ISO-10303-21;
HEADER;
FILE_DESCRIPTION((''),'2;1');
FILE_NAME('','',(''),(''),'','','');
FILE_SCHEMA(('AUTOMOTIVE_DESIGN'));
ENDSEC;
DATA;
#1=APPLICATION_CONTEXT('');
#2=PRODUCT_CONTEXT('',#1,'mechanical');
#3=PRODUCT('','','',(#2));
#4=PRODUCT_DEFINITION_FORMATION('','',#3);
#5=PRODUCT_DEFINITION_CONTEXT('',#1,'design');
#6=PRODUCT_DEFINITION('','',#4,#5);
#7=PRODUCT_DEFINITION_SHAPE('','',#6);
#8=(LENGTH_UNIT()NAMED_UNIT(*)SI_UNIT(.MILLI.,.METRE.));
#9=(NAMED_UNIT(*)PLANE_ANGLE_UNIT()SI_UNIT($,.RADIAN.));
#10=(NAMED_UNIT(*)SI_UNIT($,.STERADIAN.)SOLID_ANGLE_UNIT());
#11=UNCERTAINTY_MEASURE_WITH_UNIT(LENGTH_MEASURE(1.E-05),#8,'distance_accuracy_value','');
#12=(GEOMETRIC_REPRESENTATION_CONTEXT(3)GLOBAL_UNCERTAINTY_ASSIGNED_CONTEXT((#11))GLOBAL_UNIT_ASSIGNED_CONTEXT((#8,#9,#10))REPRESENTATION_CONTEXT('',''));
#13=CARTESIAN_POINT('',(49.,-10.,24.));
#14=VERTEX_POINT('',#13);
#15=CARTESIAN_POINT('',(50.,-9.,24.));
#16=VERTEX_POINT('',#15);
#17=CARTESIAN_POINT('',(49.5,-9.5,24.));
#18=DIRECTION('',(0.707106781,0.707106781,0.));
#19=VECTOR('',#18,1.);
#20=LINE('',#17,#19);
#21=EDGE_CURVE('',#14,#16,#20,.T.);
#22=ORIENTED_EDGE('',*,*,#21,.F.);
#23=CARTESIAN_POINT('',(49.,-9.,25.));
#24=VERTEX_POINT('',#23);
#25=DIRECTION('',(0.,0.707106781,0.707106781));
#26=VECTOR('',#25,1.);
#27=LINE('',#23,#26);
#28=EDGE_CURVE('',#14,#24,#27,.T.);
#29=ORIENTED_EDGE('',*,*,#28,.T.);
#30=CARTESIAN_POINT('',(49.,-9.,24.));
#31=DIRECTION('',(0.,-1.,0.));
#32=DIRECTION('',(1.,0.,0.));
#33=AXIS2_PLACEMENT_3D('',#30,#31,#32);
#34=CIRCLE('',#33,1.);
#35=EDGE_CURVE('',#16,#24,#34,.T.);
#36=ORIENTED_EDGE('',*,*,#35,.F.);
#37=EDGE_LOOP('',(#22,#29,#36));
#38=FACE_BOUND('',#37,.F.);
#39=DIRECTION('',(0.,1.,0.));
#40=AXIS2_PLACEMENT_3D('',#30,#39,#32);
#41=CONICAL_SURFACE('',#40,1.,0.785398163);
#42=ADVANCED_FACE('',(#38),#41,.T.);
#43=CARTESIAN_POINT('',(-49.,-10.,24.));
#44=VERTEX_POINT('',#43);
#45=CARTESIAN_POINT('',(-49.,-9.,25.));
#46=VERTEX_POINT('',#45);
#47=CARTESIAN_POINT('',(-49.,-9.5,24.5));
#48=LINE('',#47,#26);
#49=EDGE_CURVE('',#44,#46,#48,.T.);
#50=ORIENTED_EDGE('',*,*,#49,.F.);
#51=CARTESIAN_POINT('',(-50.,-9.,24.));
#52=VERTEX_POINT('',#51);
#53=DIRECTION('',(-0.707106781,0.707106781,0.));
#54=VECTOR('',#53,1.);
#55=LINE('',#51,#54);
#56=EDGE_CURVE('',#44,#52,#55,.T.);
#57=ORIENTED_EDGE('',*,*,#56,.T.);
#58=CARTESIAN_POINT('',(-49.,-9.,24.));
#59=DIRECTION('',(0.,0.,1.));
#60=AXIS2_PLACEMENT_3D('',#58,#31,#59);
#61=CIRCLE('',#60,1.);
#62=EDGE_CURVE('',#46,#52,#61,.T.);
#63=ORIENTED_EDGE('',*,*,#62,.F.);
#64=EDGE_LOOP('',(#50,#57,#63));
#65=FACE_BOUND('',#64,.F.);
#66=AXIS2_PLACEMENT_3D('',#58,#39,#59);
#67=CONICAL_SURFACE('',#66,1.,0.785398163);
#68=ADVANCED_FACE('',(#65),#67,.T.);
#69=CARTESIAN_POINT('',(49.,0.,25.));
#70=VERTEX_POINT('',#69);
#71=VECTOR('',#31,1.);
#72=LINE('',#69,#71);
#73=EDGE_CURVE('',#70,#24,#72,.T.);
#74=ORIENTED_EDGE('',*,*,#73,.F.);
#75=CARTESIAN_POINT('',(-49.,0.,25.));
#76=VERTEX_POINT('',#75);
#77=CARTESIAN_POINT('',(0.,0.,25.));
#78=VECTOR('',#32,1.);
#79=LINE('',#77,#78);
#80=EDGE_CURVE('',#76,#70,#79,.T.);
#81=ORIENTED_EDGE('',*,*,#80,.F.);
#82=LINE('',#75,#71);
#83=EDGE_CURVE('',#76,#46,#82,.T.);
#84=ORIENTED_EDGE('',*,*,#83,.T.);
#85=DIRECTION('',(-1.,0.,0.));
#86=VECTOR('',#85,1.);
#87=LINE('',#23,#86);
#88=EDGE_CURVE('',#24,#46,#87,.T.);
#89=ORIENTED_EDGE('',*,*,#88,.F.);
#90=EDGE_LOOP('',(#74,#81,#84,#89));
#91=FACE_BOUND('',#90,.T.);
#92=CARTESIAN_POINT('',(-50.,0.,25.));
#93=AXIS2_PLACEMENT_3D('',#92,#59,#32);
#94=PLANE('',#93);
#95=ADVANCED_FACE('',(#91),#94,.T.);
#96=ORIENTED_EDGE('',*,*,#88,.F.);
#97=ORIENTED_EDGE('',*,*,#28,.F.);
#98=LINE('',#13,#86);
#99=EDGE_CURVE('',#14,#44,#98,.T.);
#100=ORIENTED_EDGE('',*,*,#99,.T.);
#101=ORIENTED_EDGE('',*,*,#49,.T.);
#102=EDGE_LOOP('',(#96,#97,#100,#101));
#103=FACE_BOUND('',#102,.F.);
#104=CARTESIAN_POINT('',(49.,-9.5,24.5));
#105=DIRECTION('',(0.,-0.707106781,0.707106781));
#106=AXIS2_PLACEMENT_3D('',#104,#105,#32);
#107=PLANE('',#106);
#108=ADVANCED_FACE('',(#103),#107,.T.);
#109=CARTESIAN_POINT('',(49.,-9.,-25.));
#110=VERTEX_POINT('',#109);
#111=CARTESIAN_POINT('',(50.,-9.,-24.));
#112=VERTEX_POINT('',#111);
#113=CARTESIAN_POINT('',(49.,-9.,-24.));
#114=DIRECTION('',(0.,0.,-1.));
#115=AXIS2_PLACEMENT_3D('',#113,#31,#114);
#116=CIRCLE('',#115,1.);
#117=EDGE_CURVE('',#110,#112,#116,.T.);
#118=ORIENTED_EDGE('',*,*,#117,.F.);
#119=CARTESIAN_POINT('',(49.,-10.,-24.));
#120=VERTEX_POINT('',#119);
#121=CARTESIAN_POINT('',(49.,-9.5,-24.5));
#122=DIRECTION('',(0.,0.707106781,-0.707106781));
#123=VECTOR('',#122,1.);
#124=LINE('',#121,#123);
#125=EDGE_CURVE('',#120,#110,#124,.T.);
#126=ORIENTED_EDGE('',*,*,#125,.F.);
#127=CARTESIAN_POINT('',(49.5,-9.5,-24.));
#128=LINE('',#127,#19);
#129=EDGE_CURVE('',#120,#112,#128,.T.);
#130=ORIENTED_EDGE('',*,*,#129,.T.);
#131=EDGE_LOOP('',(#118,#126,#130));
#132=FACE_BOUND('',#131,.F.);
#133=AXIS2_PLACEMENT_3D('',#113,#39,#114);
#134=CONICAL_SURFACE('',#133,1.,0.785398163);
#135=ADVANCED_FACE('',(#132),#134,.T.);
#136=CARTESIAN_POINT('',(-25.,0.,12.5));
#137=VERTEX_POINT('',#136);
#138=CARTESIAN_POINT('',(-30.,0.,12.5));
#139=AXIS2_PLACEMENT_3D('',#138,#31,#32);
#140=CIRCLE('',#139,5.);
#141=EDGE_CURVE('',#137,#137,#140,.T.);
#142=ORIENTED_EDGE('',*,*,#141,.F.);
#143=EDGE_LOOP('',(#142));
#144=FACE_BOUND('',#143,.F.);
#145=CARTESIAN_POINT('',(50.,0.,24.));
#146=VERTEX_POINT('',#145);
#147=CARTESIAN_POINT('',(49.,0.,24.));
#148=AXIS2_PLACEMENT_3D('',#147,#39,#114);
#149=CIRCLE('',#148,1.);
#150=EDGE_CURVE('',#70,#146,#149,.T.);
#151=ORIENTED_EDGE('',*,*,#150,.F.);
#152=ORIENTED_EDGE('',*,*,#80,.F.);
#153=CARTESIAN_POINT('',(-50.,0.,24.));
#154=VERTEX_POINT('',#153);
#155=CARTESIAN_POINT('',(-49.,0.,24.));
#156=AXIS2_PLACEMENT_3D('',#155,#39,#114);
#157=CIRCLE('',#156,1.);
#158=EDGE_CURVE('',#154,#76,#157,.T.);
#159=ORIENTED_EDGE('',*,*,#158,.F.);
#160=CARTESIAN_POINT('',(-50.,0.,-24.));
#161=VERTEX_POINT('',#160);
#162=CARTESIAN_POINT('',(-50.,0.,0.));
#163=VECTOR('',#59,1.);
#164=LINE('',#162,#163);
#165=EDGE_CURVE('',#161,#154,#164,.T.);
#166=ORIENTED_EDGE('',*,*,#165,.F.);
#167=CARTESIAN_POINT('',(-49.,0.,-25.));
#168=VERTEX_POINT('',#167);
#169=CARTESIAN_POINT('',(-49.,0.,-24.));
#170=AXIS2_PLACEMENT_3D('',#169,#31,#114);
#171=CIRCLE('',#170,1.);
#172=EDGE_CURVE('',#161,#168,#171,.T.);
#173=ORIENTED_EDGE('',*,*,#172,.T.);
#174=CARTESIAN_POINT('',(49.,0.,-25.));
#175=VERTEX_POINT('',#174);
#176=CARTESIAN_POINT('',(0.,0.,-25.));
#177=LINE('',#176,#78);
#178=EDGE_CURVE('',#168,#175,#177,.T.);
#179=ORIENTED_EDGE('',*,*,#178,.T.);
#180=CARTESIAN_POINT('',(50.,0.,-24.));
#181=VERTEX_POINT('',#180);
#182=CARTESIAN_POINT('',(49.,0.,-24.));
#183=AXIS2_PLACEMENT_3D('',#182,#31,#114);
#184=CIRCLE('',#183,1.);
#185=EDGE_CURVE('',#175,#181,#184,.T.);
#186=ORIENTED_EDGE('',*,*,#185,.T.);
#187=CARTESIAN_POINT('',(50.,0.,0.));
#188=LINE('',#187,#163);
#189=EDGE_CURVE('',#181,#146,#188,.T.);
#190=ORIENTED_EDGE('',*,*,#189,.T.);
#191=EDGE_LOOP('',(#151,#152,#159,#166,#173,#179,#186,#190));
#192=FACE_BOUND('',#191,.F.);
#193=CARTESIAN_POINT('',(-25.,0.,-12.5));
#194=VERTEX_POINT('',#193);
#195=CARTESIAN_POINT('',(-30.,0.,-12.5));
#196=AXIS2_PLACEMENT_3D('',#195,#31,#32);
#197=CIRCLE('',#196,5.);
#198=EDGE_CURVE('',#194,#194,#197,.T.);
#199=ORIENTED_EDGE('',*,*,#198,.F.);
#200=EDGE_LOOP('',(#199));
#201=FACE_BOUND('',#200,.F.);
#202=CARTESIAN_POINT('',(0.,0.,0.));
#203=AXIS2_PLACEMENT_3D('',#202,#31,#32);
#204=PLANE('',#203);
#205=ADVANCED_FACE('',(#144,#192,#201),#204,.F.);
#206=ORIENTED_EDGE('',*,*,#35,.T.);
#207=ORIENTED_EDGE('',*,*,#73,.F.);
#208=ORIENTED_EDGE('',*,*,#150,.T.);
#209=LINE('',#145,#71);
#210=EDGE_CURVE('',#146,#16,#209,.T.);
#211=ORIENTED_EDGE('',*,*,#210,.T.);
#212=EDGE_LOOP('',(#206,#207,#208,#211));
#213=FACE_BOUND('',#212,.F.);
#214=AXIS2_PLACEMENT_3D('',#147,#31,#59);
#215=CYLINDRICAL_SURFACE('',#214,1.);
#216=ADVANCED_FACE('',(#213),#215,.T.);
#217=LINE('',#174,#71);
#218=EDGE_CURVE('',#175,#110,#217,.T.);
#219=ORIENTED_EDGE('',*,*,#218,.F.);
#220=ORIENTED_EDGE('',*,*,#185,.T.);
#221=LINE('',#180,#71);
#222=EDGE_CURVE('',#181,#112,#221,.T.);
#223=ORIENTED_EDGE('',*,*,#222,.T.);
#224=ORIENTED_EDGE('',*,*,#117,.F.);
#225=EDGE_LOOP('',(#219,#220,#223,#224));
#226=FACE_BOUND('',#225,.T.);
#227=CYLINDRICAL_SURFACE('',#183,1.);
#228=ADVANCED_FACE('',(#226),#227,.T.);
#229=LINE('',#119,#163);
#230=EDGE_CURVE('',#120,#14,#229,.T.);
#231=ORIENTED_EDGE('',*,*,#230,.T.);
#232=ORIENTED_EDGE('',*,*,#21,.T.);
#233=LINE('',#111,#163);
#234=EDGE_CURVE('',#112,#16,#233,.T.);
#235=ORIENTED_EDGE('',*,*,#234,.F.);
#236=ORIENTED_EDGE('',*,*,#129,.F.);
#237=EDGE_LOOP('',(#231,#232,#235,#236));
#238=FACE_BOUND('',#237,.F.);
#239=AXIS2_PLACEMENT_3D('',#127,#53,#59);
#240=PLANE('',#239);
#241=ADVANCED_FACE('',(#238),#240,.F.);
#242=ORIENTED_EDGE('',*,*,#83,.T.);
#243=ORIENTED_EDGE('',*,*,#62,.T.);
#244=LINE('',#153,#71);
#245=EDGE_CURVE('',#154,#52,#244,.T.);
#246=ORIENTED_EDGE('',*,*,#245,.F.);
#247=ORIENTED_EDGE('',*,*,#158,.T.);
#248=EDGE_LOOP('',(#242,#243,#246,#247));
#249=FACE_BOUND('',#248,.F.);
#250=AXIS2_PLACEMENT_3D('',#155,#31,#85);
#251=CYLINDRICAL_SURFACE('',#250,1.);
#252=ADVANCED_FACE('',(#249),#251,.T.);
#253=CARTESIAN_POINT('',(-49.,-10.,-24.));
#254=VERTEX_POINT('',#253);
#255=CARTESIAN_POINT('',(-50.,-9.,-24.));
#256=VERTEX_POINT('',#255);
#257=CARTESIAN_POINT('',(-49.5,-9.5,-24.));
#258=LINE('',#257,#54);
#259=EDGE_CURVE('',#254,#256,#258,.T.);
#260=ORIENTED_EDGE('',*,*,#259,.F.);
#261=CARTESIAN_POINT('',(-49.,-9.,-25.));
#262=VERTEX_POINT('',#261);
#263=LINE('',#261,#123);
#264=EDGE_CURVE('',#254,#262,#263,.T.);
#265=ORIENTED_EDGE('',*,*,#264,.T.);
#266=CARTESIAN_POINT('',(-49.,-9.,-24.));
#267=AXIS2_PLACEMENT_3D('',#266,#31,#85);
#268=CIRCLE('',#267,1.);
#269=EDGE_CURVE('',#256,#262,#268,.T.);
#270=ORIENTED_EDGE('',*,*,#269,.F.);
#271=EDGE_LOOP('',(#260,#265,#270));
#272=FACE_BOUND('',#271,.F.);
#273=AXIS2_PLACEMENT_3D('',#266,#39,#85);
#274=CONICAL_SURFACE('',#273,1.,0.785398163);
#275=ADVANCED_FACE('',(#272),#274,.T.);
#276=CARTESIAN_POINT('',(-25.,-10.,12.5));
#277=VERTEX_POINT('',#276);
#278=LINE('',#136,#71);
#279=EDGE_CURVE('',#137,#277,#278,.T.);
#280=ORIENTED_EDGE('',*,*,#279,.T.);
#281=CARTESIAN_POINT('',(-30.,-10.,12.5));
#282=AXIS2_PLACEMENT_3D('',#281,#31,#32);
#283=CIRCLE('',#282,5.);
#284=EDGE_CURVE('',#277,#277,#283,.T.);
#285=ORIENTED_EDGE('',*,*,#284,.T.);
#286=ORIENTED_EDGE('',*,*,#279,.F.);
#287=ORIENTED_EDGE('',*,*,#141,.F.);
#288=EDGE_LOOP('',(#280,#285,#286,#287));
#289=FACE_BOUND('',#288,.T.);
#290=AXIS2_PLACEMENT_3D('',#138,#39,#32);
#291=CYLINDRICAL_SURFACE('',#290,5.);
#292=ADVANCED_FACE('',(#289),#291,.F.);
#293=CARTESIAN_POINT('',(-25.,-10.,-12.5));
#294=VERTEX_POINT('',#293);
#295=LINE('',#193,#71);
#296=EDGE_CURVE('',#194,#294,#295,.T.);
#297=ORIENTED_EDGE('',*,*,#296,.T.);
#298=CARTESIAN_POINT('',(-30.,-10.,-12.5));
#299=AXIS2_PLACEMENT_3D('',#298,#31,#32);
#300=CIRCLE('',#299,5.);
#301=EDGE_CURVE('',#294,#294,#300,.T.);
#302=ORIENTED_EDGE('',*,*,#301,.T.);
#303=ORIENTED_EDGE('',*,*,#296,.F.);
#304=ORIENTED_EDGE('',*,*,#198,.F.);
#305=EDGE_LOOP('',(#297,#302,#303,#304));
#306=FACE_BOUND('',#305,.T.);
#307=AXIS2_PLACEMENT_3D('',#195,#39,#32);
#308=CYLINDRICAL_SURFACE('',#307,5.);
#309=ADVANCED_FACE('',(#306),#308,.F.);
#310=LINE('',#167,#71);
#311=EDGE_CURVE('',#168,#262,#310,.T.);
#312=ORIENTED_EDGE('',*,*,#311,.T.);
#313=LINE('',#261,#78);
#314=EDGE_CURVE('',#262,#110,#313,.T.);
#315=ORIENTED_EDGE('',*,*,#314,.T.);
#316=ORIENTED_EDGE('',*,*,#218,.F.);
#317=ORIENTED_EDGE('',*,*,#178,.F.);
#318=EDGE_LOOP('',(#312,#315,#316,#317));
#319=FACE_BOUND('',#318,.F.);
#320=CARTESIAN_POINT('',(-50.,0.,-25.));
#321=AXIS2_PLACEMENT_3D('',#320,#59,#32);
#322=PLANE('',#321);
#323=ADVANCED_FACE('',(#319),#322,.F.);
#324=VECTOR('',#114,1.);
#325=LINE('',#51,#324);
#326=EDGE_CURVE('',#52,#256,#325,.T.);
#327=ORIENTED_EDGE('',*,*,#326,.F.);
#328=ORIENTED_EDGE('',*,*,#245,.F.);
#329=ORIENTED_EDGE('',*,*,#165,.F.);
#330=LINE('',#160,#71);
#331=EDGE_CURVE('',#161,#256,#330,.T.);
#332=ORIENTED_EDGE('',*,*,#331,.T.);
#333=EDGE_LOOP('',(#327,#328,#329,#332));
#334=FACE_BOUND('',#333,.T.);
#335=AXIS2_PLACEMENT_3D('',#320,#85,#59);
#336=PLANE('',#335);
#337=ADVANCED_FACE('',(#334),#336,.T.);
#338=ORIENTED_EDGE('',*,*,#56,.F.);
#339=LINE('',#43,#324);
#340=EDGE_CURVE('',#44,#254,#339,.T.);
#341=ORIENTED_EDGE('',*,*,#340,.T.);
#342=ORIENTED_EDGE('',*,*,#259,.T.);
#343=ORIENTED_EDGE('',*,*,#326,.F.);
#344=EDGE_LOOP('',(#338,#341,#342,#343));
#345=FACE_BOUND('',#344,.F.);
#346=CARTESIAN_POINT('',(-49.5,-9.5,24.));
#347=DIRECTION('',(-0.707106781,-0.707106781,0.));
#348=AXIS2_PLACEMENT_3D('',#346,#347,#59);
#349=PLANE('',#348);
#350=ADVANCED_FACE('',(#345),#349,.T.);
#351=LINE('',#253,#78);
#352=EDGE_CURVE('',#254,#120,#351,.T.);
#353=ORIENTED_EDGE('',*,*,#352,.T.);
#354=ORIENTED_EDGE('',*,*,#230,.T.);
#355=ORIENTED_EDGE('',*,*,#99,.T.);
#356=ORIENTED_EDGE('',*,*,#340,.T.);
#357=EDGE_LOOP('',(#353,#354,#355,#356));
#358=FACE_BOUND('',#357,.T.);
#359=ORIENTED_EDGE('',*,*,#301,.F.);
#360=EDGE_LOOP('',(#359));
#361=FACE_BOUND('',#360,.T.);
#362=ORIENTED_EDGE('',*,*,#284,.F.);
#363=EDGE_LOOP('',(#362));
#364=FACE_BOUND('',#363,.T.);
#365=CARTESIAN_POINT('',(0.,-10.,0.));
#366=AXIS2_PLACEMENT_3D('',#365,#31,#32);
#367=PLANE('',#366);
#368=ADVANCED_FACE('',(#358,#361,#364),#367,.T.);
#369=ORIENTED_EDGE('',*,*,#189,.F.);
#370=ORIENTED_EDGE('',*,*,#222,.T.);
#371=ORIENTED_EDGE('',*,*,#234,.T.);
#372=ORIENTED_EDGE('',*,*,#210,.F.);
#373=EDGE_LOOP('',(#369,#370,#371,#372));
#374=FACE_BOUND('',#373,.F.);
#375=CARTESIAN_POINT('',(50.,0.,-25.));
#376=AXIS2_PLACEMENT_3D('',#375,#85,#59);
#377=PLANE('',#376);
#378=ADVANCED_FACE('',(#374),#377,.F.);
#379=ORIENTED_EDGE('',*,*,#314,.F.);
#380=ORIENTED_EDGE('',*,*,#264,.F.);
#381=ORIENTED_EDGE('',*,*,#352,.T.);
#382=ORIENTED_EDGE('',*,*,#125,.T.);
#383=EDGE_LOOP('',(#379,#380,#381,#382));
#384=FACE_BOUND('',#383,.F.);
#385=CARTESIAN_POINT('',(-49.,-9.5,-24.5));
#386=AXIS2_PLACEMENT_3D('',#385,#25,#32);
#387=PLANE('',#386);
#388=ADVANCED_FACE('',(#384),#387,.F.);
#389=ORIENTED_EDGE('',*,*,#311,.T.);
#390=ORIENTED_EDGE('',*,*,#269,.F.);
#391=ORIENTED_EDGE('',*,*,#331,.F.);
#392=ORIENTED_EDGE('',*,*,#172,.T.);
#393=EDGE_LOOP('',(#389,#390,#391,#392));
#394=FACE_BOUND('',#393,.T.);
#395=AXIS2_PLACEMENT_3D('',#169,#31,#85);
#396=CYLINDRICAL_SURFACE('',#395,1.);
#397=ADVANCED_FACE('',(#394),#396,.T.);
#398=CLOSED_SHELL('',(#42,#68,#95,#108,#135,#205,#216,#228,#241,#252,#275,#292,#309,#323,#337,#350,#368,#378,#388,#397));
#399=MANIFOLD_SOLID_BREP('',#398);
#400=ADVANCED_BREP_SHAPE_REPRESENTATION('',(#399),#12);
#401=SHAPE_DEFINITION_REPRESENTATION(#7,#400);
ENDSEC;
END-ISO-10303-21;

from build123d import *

# Parameters (mm, degrees)
F0_W     = 100
F0_H     = 50
F0_R     = 5
F1_DEPTH = 10
F2_R     = 1
F3_SIZE  = 1


with BuildPart() as f1:
    # F0 (on Front) → F1 (new body)
    with BuildSketch(Plane.XZ):
        Rectangle(F0_W, F0_H)
        with Locations((-30, -12.5)):
            Circle(F0_R, mode=Mode.SUBTRACT)
        with Locations((-30, 12.5)):
            Circle(F0_R, mode=Mode.SUBTRACT)
    extrude(amount=F1_DEPTH)

    # F2
    f2_edges = [f1.edges().sort_by_distance(p)[0] for p in [
        (50, -5, -25),
        (-50, -5, -25),
        (-50, -5, 25),
        (50, -5, 25),
    ]]
    fillet(f2_edges, radius=F2_R)

    # F3
    f3_edges = [f1.edges().sort_by_distance(p)[0] for p in [
        (50, -10, 0),
        (0, -10, -25),
        (-50, -10, 0),
        (0, -10, 25),
    ]]
    chamfer(f3_edges, length=F3_SIZE)


solid = f1.part
